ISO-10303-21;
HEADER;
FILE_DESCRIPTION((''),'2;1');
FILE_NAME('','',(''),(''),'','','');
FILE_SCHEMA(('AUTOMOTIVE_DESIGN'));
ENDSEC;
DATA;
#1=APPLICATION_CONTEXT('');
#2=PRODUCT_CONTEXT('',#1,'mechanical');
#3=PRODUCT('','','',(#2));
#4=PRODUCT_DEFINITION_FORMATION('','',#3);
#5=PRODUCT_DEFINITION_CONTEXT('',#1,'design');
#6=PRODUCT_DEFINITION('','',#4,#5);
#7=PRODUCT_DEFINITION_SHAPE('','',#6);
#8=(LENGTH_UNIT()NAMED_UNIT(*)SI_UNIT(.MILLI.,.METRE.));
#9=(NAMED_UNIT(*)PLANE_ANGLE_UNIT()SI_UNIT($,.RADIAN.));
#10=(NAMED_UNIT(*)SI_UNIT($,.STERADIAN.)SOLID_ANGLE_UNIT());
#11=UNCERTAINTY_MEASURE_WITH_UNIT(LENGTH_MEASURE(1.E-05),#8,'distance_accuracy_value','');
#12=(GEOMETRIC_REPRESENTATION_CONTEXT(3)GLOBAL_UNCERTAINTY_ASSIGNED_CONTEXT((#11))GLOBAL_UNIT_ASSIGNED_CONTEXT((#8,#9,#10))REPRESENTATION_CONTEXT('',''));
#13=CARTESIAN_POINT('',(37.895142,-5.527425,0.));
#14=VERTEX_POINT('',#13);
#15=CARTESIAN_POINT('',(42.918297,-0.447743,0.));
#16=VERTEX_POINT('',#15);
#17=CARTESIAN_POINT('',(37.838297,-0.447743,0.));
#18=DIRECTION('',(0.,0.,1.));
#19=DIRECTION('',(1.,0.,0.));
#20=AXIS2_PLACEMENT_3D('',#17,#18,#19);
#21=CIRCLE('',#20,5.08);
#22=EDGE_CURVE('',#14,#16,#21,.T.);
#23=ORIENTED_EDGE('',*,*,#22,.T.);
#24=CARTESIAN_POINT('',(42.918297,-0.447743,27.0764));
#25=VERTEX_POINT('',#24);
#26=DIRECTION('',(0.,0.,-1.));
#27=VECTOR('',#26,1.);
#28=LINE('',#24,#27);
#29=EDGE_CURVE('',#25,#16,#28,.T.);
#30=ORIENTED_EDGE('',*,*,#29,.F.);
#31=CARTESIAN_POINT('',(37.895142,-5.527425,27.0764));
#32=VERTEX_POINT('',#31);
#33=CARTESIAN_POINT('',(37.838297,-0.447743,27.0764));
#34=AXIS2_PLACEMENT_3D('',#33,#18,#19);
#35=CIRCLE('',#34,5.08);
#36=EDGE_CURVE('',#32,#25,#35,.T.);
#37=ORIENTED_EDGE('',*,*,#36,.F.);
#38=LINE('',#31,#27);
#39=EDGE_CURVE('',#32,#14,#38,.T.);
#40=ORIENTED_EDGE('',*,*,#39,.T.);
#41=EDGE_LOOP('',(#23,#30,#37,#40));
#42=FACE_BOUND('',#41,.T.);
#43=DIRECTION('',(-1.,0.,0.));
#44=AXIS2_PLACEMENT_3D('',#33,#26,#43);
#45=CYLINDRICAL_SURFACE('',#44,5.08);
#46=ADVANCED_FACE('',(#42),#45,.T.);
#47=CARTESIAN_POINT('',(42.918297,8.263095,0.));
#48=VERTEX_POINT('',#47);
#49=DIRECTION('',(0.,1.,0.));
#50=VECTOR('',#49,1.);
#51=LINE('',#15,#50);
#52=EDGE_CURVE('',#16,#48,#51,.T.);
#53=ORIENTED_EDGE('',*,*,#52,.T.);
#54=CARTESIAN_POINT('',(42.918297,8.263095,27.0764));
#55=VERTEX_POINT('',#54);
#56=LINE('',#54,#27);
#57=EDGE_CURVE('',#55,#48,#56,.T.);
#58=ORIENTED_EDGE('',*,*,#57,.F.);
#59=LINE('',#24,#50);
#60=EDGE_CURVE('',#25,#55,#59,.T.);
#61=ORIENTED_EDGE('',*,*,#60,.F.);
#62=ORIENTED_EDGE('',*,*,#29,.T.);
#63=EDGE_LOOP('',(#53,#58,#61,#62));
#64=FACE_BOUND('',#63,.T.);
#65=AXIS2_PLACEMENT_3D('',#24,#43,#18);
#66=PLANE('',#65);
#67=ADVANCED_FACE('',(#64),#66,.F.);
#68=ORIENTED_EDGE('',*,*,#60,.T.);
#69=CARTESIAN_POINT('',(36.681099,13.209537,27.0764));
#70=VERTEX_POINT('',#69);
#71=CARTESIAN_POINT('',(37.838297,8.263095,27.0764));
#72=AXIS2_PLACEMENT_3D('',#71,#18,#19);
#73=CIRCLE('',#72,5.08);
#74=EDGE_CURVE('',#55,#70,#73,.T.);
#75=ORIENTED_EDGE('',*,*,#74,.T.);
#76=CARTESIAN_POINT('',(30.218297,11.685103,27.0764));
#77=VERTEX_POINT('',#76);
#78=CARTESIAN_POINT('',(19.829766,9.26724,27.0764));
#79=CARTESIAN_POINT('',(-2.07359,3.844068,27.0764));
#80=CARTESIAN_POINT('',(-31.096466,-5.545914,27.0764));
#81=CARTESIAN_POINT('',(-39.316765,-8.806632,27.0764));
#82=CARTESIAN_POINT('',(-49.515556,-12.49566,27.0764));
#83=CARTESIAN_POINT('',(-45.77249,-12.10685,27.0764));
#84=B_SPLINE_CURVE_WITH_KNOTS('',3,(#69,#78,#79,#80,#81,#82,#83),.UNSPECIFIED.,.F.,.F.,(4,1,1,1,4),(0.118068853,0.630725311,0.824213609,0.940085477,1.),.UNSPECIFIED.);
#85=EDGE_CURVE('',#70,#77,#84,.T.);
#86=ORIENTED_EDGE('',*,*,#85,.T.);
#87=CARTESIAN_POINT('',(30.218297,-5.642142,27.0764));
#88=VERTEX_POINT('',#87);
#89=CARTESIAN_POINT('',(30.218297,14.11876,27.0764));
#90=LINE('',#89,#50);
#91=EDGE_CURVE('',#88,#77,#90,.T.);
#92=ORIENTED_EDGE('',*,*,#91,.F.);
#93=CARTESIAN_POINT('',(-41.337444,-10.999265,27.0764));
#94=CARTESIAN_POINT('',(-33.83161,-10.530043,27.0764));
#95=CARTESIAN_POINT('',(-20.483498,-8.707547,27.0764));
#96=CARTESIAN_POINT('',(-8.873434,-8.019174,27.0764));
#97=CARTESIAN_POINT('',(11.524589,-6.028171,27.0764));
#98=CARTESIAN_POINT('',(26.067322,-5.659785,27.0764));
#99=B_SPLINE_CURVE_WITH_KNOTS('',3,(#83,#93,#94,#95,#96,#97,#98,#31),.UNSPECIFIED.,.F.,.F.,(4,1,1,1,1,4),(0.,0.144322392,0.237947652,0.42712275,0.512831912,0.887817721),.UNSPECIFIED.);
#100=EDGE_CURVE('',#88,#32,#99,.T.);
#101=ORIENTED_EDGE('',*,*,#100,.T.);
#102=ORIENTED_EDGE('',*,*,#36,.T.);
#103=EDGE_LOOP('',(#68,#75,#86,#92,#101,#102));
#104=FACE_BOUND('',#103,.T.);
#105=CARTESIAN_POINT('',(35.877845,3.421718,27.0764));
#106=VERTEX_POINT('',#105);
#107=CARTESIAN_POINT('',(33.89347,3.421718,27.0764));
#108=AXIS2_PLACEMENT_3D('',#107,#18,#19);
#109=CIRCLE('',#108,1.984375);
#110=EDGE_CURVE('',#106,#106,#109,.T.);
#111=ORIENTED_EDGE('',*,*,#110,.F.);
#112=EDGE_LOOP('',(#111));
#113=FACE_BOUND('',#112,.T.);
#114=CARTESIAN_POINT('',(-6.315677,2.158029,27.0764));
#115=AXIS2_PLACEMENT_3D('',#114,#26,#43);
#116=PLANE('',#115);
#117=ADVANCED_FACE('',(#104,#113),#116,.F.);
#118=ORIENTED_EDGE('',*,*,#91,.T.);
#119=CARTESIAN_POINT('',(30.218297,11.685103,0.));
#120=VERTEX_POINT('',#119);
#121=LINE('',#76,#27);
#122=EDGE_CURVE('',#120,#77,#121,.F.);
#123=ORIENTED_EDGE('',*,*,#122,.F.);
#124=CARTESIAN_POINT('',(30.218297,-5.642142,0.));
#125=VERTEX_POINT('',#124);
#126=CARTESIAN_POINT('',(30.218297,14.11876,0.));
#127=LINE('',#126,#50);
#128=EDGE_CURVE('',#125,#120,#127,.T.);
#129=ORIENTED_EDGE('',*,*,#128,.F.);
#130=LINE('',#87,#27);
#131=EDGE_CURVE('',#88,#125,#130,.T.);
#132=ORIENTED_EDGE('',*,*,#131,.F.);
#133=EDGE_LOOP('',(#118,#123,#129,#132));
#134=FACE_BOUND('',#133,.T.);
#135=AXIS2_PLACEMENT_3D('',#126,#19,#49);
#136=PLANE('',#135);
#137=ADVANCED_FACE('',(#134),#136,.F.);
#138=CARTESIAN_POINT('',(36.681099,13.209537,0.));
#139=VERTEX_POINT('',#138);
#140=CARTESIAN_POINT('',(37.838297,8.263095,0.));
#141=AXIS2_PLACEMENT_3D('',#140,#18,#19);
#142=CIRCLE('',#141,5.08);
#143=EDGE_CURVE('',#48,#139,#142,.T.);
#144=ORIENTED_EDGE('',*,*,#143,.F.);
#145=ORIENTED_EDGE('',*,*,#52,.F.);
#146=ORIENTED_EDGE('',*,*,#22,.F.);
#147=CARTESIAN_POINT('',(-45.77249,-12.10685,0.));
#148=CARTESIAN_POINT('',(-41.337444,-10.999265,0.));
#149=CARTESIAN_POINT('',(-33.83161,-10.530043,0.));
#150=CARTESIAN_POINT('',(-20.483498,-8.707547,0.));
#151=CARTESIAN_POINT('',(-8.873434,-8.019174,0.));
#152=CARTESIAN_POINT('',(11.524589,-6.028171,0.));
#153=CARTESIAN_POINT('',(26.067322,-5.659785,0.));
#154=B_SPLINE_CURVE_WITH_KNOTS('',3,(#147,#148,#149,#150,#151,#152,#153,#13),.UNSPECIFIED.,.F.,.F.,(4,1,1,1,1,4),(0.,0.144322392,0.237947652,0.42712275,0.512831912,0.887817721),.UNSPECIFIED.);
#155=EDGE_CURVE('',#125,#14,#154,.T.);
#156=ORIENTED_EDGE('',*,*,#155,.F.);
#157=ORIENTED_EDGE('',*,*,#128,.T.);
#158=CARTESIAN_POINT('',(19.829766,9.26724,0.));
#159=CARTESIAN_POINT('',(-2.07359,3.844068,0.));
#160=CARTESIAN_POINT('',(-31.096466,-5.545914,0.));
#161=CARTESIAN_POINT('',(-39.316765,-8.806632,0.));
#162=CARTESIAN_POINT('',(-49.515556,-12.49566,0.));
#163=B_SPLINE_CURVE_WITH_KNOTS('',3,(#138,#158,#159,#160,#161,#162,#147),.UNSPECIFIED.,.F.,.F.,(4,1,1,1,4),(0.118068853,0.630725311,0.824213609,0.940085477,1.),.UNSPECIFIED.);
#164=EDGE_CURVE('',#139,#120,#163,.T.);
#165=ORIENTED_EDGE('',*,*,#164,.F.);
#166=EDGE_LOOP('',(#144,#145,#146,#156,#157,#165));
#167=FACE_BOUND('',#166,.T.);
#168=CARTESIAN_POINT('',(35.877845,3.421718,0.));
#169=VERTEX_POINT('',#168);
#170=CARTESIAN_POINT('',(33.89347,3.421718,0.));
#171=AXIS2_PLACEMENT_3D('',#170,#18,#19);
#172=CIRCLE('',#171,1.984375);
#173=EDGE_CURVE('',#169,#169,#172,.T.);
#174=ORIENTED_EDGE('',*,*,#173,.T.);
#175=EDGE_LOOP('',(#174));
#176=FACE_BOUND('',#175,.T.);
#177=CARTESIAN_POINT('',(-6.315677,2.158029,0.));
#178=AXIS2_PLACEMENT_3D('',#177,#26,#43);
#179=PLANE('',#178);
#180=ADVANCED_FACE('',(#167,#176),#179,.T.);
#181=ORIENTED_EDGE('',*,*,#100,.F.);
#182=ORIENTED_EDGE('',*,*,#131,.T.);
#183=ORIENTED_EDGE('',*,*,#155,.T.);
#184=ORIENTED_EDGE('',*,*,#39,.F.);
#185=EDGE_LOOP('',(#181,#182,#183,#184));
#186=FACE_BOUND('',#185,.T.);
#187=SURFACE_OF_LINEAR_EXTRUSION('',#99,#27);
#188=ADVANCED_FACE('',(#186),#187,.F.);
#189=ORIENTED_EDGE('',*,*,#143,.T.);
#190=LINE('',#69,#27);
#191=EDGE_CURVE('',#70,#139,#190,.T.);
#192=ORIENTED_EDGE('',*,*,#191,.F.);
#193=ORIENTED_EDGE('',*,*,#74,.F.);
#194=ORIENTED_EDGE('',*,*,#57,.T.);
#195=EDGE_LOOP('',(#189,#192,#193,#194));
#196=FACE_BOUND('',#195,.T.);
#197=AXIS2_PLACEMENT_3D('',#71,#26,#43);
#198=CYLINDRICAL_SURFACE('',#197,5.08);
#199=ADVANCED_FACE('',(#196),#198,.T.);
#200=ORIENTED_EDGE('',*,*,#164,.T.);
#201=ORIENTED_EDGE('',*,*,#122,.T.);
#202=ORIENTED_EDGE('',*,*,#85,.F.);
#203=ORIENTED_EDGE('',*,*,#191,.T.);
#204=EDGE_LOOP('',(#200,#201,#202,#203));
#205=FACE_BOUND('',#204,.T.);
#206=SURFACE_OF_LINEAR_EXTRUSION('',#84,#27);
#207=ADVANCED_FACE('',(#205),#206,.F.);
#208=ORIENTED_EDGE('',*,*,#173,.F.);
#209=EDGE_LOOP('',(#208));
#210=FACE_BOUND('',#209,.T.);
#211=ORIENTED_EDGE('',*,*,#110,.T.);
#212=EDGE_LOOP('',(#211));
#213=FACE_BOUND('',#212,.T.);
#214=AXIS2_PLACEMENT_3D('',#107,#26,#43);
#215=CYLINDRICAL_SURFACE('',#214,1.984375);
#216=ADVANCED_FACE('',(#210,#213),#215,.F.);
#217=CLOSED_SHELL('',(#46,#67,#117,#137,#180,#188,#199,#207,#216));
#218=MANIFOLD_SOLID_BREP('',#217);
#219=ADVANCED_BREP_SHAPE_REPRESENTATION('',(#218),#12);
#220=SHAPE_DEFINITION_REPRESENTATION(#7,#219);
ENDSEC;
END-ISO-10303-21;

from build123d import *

# Parameters (mm, degrees)
SKETCH1_R           = 2.127
SKETCH1_R_2         = 1.984375
BOSS_EXTRUDE1_DEPTH = 27.0764
SKETCH2_W           = 88.723085019
SKETCH2_H           = 32.948386637
CUT_EXTRUDE1_DEPTH  = 27.0764


with BuildPart() as part:
    # Sketch1 → Boss-Extrude1 (new body)
    with BuildSketch(Plane.XY):
        with BuildLine():
            Line((42.918297493, -0.447743106), (42.918297493, 8.263094686))
            ThreePointArc((42.918297493, 8.263094686), (40.994864427, 12.243356636), (36.681098599, 13.209536914))
            add(Edge.make_bspline(
                [(36.681098599, 13.209536914), (19.829765645, 9.267240013), (-2.073589943, 3.844068304), (-31.096466219, -5.545914493), (-39.316765165, -8.806631661), (-49.515556323, -12.495660485), (-45.77248955, -12.10685039)],
                knots=[0.118068853, 0.118068853, 0.118068853, 0.118068853, 0.630725311, 0.824213609, 0.940085477, 1, 1, 1, 1], degree=3))
            add(Edge.make_bspline(
                [(-45.77248955, -12.10685039), (-41.337443699, -10.999265489), (-33.831609628, -10.530043097), (-20.483498257, -8.707547198), (-8.873433654, -8.01917435), (11.524588595, -6.028171323), (26.067321973, -5.659784939), (37.895141959, -5.527425055)],
                knots=[0, 0, 0, 0, 0.144322392, 0.237947652, 0.42712275, 0.512831912, 0.887817721, 0.887817721, 0.887817721, 0.887817721], degree=3))
            ThreePointArc((37.895141959, -5.527425055), (41.450441586, -4.019691462), (42.918297493, -0.447743106))
        make_face()
        with Locations((-19.10248955, -6.01085039)):
            Circle(SKETCH1_R, mode=Mode.SUBTRACT)
        with Locations((12.64751045, 4.40314961)):
            Circle(SKETCH1_R, mode=Mode.SUBTRACT)
        with Locations((33.89346968, 3.421717851)):
            Circle(SKETCH1_R_2, mode=Mode.SUBTRACT)
    extrude(amount=BOSS_EXTRUDE1_DEPTH)

    # Sketch2 → Cut-Extrude1 (cut)
    with BuildSketch(Plane.XY.offset(27.0764)):
        with Locations((-14.143245016, -2.355433399)):
            Rectangle(SKETCH2_W, SKETCH2_H)
    extrude(amount=-CUT_EXTRUDE1_DEPTH, mode=Mode.SUBTRACT)


solid = part.part
